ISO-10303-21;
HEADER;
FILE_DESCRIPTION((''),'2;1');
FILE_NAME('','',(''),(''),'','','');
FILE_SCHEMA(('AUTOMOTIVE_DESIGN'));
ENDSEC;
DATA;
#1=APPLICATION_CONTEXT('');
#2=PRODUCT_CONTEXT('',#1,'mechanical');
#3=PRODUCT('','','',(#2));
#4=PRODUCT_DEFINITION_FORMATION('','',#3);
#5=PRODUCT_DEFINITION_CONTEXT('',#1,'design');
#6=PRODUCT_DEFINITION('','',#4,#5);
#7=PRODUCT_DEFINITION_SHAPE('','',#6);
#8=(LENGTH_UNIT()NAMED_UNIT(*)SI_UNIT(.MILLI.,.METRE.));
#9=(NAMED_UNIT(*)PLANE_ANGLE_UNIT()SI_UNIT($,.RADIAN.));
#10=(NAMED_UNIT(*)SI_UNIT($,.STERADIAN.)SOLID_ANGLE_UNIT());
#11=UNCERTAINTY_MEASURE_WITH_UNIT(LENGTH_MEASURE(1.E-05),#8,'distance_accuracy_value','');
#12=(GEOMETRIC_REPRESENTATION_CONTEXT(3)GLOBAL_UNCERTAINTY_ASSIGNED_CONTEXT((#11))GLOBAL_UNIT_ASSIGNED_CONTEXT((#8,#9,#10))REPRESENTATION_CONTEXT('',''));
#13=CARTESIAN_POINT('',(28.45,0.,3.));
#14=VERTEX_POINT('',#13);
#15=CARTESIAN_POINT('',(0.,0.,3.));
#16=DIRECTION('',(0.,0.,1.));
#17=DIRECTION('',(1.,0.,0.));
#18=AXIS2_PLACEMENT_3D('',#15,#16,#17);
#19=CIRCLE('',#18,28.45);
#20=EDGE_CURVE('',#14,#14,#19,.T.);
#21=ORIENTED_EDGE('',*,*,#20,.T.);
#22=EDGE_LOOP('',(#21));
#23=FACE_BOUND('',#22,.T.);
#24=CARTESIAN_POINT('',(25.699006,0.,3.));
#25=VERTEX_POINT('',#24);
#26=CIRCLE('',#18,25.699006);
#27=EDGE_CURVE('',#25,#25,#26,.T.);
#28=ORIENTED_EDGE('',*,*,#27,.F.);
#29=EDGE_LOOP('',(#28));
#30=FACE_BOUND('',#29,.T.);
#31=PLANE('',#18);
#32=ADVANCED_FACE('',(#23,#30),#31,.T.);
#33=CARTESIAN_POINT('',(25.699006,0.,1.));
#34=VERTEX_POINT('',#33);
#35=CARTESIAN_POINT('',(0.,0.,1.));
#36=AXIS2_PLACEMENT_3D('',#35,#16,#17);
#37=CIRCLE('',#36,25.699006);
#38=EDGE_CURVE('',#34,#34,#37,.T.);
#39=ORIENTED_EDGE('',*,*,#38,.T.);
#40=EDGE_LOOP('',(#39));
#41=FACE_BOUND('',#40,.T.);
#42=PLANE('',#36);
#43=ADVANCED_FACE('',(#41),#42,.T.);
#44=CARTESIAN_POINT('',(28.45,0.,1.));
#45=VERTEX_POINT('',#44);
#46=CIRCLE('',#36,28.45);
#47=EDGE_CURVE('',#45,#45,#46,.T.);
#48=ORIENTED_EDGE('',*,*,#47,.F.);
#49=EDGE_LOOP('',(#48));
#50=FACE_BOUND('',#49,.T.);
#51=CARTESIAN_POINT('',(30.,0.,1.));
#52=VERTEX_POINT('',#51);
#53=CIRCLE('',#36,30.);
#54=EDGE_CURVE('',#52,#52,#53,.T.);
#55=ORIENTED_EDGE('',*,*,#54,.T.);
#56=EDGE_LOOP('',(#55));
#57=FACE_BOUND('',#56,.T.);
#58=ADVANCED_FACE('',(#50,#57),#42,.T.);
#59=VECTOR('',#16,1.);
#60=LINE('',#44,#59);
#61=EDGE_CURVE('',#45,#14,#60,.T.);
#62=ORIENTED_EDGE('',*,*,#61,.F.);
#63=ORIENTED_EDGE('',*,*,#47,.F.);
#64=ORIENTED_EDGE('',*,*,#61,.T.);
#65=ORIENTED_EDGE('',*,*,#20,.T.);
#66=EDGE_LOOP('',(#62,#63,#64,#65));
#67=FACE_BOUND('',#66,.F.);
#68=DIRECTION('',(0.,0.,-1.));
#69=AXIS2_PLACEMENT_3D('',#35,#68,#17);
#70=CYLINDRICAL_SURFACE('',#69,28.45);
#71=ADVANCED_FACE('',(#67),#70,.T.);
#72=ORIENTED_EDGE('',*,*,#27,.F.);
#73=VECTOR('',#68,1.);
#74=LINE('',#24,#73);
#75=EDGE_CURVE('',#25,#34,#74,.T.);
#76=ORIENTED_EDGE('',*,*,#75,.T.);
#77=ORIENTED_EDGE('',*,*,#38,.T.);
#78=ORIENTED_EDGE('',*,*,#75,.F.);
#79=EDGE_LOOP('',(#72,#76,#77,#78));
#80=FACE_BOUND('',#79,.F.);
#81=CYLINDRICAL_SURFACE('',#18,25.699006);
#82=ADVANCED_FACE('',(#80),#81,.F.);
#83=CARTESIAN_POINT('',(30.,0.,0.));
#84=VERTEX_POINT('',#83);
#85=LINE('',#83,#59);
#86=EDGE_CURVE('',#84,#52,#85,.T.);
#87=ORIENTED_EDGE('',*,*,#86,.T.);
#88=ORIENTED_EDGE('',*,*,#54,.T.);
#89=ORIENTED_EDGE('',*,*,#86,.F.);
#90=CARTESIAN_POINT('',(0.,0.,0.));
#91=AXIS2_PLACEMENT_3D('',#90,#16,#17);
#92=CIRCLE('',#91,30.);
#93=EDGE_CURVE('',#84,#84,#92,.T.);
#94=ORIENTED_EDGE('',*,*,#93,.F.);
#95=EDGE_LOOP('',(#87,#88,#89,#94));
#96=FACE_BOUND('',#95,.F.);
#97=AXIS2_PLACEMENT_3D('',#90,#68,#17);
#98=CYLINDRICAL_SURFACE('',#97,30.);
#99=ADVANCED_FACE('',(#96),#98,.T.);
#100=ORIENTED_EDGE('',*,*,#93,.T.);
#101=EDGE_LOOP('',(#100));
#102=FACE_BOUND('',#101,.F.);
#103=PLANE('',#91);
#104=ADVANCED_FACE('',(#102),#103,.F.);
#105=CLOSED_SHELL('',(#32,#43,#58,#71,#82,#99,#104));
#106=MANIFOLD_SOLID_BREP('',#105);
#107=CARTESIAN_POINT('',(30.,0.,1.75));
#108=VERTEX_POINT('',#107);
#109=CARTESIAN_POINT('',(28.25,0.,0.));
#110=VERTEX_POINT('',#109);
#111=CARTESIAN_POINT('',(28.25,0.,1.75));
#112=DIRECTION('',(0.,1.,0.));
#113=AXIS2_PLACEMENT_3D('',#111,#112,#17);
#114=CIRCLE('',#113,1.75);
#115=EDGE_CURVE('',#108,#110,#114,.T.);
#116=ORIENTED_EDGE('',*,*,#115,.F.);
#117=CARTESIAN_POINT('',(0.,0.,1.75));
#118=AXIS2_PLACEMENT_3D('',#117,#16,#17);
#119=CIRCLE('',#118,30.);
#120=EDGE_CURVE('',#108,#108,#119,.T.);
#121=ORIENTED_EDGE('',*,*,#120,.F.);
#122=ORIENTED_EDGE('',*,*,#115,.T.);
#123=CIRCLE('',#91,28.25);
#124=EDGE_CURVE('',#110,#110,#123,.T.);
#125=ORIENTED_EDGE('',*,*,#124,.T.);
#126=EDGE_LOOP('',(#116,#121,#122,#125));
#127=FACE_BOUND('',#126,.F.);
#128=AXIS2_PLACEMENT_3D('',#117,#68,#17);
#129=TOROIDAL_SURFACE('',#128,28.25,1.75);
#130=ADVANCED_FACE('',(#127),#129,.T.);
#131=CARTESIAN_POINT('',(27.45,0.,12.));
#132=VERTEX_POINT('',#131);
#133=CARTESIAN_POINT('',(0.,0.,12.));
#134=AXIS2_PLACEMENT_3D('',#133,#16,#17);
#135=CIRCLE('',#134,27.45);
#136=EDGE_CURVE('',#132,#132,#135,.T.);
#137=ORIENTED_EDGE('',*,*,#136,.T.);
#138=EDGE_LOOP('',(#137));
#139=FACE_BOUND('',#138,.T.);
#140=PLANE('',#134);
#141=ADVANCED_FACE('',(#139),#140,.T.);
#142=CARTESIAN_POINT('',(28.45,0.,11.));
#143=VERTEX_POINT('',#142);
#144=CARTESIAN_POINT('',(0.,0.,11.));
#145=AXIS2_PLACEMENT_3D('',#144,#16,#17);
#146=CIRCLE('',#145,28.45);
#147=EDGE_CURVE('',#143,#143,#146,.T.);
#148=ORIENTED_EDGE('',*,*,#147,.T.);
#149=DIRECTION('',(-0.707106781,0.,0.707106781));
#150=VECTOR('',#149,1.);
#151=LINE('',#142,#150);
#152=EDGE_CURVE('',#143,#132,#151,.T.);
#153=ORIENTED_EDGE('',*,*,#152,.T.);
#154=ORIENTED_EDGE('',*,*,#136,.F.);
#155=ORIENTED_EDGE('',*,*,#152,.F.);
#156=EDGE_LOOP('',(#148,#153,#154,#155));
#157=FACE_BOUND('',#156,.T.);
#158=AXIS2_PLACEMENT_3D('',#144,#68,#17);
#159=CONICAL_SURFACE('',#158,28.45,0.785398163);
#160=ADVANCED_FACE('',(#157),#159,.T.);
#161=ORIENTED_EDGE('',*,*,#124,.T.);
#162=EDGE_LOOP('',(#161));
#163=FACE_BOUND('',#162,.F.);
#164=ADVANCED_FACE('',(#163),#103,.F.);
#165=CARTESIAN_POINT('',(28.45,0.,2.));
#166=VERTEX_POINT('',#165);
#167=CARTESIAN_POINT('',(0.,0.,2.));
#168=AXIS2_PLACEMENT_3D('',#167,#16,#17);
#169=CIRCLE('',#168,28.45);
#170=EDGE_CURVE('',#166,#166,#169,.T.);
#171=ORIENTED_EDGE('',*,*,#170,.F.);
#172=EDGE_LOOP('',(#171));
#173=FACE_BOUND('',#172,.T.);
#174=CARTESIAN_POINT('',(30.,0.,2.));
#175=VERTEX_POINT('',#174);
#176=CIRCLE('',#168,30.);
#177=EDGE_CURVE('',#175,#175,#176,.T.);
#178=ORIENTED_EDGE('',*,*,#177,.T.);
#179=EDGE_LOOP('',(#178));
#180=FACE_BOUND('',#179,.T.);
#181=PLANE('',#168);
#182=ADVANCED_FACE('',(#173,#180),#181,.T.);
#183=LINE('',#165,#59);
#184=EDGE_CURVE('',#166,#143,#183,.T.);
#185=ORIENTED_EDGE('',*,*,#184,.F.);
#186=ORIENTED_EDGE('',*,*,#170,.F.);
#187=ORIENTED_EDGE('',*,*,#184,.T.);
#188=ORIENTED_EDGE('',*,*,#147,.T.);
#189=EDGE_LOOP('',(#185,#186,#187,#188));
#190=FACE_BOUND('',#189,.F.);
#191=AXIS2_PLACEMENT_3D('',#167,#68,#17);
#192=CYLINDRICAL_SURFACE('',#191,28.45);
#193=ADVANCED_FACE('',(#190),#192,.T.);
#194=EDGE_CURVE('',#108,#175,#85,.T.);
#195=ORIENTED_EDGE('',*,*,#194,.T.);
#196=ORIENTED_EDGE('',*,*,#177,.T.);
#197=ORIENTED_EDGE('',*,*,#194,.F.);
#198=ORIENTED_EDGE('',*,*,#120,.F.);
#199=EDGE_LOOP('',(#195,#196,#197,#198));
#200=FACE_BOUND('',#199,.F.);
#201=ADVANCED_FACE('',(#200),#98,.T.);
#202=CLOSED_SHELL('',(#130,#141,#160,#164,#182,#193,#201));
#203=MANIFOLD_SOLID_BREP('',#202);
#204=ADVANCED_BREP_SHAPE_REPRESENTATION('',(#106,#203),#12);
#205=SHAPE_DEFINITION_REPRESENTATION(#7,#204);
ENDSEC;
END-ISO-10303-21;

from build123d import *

# Parameters (mm, degrees)
SKETCH_R     = 30
PAD_DEPTH    = 2
SKETCH001_R  = 28.45
PAD001_DEPTH = 10
FILLET_R     = 1.75
CHAMFER_SIZE = 1
SKETCH002_R  = 30
PAD002_DEPTH = 1
SKETCH003_R  = 28.45
PAD003_DEPTH = 2
SKETCH004_R  = 25.699006
POCKET_DEPTH = 2


with BuildPart() as body:
    # Sketch → Pad (new body)
    with BuildSketch(Plane.XY):
        Circle(SKETCH_R)
    extrude(amount=PAD_DEPTH)

    # Sketch001 (on Face3 of Pad) → Pad001 (join)
    with BuildSketch(Plane.XY.offset(2)):
        Circle(SKETCH001_R)
    extrude(amount=PAD001_DEPTH)

    # Fillet
    fillet_edges = [body.edges().sort_by_distance(p)[0] for p in [
        (-30, 0, 0),
    ]]
    fillet(fillet_edges, radius=FILLET_R)

    # Chamfer
    chamfer_edges = [body.edges().sort_by_distance(p)[0] for p in [
        (-28.45, 0, 12),
    ]]
    chamfer(chamfer_edges, length=CHAMFER_SIZE)


with BuildPart() as body001:
    # Sketch002 → Pad002 (new body)
    with BuildSketch(Plane.XY):
        Circle(SKETCH002_R)
    extrude(amount=PAD002_DEPTH)

    # Sketch003 (on Face3 of Pad002) → Pad003 (join)
    with BuildSketch(Plane.XY.offset(1)):
        Circle(SKETCH003_R)
    extrude(amount=PAD003_DEPTH)

    # Sketch004 (on Face5 of Pad003) → Pocket (cut)
    with BuildSketch(Plane.XY.offset(3)):
        Circle(SKETCH004_R)
    extrude(amount=-POCKET_DEPTH, mode=Mode.SUBTRACT)


solid = Compound([body.part, body001.part])
